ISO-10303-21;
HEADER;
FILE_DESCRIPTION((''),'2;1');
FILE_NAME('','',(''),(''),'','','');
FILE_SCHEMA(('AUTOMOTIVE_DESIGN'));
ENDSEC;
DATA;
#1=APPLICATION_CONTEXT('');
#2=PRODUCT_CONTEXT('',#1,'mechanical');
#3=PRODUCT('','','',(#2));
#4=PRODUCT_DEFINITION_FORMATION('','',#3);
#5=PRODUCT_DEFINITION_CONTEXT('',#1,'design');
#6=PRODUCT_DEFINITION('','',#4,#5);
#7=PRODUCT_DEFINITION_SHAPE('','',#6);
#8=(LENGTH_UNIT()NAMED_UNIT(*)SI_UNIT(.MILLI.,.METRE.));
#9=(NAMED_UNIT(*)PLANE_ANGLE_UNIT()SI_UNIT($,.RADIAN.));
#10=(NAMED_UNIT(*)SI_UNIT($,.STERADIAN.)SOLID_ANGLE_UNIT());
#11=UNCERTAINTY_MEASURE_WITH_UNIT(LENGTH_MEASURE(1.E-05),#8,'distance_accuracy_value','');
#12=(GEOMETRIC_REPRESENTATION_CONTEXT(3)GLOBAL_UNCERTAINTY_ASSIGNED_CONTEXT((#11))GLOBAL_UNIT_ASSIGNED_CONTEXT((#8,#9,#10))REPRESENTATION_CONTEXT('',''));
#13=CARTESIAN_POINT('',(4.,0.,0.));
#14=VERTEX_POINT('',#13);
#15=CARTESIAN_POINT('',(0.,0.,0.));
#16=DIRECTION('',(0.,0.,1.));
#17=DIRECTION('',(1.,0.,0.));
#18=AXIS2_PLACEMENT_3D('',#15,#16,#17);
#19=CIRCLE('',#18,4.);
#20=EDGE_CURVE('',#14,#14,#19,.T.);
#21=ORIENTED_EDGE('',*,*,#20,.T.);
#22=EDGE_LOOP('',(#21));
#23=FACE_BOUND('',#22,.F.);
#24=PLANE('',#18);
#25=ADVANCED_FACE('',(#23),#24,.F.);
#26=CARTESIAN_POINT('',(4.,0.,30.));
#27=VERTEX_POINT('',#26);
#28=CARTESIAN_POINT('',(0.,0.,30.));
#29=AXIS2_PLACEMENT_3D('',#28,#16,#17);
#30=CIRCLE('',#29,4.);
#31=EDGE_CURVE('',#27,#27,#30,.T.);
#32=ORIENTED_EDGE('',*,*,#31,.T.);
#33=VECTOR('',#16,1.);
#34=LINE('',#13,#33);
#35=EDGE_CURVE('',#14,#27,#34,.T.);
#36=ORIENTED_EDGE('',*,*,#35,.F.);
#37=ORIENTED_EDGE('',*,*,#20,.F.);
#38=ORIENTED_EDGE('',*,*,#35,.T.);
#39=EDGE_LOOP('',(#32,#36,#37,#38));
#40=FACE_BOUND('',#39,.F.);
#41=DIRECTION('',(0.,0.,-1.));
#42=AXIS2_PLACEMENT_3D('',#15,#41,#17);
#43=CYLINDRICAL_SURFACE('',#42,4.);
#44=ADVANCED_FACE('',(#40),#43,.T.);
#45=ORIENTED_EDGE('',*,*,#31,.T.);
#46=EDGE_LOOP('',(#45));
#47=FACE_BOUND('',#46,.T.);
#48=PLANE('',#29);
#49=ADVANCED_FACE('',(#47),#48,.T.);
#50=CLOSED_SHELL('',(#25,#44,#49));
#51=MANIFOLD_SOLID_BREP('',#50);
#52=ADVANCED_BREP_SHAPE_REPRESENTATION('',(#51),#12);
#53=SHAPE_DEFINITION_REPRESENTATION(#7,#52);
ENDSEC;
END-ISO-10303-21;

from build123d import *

# Parameters (mm, degrees)
SKETCH1_R           = 4
BOSS_EXTRUDE1_DEPTH = 60
SKETCH3_R           = 4
CUT_EXTRUDE1_DEPTH  = 30


with BuildPart() as part:
    # Sketch1 → Boss-Extrude1 (new body)
    with BuildSketch(Plane.XY):
        Circle(SKETCH1_R)
    extrude(amount=BOSS_EXTRUDE1_DEPTH)

    # Sketch3 → Cut-Extrude1 (cut)
    with BuildSketch(Plane.XY.offset(60)):
        Circle(SKETCH3_R)
    extrude(amount=-CUT_EXTRUDE1_DEPTH, mode=Mode.SUBTRACT)


solid = part.part
